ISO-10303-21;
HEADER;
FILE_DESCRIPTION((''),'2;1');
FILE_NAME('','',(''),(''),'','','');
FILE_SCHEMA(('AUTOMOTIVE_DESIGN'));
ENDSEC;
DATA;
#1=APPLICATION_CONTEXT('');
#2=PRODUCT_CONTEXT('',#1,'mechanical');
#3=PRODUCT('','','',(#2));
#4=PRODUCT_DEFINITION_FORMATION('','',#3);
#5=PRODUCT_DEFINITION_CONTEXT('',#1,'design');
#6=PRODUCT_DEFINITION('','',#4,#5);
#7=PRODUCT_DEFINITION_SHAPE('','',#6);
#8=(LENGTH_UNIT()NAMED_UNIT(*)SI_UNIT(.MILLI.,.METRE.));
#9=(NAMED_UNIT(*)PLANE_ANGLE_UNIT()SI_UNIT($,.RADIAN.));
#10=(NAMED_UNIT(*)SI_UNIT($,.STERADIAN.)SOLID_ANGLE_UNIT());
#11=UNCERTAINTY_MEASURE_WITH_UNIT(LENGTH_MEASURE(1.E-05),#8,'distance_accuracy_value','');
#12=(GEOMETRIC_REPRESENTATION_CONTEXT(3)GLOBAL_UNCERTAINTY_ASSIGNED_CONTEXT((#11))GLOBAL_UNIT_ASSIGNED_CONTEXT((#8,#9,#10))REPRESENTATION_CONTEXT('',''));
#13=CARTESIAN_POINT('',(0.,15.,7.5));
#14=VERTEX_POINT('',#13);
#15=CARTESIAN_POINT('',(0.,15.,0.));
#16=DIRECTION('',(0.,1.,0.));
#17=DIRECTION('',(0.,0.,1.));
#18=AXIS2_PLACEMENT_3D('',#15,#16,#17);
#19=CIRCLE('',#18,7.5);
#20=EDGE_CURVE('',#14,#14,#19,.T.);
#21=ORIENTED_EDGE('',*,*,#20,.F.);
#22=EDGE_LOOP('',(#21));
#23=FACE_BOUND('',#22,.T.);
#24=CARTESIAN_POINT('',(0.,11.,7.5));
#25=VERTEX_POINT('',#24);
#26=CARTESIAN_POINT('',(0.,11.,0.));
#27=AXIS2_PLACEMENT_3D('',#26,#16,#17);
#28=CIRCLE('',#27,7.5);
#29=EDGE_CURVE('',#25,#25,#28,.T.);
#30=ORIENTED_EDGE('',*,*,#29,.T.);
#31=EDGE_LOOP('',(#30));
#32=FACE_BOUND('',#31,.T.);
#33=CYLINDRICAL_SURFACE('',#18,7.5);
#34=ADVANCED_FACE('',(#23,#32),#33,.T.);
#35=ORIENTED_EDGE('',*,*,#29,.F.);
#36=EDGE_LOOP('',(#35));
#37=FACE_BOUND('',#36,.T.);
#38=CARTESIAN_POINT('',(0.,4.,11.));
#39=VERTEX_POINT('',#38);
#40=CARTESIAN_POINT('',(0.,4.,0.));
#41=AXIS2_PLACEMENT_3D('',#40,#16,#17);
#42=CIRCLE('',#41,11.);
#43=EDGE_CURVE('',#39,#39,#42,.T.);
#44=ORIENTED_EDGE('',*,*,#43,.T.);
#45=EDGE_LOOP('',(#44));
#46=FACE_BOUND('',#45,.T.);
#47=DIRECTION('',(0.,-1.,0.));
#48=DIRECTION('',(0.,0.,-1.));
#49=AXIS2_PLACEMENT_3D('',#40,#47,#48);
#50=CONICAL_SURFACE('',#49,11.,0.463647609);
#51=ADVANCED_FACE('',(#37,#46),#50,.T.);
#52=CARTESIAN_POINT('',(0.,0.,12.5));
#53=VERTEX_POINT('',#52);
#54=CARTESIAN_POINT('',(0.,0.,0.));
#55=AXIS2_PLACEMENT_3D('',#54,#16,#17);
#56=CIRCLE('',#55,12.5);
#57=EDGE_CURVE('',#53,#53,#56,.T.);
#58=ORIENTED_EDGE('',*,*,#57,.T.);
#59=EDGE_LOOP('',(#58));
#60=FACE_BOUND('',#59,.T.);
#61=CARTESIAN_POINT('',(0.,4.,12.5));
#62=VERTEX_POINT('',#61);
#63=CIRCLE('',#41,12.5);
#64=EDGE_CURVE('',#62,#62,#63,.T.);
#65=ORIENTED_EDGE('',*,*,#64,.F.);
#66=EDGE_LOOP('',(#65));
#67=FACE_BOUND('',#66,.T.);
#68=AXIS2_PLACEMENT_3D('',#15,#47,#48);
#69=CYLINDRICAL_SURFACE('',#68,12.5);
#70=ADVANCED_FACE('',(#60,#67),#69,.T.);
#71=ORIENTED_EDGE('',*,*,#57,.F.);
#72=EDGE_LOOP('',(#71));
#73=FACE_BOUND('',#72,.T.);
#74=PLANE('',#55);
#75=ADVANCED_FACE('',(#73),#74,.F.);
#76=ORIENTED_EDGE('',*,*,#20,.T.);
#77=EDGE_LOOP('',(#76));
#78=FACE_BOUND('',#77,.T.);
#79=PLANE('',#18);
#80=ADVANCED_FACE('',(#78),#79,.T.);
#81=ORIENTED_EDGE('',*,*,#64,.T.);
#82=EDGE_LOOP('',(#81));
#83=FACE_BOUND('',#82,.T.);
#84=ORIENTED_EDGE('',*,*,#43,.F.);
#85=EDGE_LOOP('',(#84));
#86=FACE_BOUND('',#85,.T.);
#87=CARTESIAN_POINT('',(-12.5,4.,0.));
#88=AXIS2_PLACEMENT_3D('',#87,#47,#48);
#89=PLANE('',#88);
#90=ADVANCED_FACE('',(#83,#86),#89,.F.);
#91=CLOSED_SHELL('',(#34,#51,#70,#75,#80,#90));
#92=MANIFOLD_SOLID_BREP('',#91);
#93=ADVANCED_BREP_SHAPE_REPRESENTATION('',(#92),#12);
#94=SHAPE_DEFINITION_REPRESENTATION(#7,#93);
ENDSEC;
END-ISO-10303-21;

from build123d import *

# Parameters (mm, degrees)
ESBO_O1_R                = 12.5
RESSALTO_EXTRUS_O1_DEPTH = 15


with BuildPart() as part:
    # Esboço1 → Ressalto-extrusão1 (new body)
    with BuildSketch(Plane(origin=(0, 0, 0), x_dir=(1, 0, 0), z_dir=(0, 1, 0))):
        Circle(ESBO_O1_R)
    extrude(amount=RESSALTO_EXTRUS_O1_DEPTH)

    # Esboço2 → Corte-Revolução1 (revolve, cut)
    with BuildSketch(Plane.XY):
        Polygon((-12.5, 4), (-11, 4), (-7.5, 11), (-7.5, 15), (-12.5, 15), align=None)
    revolve(axis=Axis((0, 15, 0), (0, -1, 0)), mode=Mode.SUBTRACT)


solid = part.part
